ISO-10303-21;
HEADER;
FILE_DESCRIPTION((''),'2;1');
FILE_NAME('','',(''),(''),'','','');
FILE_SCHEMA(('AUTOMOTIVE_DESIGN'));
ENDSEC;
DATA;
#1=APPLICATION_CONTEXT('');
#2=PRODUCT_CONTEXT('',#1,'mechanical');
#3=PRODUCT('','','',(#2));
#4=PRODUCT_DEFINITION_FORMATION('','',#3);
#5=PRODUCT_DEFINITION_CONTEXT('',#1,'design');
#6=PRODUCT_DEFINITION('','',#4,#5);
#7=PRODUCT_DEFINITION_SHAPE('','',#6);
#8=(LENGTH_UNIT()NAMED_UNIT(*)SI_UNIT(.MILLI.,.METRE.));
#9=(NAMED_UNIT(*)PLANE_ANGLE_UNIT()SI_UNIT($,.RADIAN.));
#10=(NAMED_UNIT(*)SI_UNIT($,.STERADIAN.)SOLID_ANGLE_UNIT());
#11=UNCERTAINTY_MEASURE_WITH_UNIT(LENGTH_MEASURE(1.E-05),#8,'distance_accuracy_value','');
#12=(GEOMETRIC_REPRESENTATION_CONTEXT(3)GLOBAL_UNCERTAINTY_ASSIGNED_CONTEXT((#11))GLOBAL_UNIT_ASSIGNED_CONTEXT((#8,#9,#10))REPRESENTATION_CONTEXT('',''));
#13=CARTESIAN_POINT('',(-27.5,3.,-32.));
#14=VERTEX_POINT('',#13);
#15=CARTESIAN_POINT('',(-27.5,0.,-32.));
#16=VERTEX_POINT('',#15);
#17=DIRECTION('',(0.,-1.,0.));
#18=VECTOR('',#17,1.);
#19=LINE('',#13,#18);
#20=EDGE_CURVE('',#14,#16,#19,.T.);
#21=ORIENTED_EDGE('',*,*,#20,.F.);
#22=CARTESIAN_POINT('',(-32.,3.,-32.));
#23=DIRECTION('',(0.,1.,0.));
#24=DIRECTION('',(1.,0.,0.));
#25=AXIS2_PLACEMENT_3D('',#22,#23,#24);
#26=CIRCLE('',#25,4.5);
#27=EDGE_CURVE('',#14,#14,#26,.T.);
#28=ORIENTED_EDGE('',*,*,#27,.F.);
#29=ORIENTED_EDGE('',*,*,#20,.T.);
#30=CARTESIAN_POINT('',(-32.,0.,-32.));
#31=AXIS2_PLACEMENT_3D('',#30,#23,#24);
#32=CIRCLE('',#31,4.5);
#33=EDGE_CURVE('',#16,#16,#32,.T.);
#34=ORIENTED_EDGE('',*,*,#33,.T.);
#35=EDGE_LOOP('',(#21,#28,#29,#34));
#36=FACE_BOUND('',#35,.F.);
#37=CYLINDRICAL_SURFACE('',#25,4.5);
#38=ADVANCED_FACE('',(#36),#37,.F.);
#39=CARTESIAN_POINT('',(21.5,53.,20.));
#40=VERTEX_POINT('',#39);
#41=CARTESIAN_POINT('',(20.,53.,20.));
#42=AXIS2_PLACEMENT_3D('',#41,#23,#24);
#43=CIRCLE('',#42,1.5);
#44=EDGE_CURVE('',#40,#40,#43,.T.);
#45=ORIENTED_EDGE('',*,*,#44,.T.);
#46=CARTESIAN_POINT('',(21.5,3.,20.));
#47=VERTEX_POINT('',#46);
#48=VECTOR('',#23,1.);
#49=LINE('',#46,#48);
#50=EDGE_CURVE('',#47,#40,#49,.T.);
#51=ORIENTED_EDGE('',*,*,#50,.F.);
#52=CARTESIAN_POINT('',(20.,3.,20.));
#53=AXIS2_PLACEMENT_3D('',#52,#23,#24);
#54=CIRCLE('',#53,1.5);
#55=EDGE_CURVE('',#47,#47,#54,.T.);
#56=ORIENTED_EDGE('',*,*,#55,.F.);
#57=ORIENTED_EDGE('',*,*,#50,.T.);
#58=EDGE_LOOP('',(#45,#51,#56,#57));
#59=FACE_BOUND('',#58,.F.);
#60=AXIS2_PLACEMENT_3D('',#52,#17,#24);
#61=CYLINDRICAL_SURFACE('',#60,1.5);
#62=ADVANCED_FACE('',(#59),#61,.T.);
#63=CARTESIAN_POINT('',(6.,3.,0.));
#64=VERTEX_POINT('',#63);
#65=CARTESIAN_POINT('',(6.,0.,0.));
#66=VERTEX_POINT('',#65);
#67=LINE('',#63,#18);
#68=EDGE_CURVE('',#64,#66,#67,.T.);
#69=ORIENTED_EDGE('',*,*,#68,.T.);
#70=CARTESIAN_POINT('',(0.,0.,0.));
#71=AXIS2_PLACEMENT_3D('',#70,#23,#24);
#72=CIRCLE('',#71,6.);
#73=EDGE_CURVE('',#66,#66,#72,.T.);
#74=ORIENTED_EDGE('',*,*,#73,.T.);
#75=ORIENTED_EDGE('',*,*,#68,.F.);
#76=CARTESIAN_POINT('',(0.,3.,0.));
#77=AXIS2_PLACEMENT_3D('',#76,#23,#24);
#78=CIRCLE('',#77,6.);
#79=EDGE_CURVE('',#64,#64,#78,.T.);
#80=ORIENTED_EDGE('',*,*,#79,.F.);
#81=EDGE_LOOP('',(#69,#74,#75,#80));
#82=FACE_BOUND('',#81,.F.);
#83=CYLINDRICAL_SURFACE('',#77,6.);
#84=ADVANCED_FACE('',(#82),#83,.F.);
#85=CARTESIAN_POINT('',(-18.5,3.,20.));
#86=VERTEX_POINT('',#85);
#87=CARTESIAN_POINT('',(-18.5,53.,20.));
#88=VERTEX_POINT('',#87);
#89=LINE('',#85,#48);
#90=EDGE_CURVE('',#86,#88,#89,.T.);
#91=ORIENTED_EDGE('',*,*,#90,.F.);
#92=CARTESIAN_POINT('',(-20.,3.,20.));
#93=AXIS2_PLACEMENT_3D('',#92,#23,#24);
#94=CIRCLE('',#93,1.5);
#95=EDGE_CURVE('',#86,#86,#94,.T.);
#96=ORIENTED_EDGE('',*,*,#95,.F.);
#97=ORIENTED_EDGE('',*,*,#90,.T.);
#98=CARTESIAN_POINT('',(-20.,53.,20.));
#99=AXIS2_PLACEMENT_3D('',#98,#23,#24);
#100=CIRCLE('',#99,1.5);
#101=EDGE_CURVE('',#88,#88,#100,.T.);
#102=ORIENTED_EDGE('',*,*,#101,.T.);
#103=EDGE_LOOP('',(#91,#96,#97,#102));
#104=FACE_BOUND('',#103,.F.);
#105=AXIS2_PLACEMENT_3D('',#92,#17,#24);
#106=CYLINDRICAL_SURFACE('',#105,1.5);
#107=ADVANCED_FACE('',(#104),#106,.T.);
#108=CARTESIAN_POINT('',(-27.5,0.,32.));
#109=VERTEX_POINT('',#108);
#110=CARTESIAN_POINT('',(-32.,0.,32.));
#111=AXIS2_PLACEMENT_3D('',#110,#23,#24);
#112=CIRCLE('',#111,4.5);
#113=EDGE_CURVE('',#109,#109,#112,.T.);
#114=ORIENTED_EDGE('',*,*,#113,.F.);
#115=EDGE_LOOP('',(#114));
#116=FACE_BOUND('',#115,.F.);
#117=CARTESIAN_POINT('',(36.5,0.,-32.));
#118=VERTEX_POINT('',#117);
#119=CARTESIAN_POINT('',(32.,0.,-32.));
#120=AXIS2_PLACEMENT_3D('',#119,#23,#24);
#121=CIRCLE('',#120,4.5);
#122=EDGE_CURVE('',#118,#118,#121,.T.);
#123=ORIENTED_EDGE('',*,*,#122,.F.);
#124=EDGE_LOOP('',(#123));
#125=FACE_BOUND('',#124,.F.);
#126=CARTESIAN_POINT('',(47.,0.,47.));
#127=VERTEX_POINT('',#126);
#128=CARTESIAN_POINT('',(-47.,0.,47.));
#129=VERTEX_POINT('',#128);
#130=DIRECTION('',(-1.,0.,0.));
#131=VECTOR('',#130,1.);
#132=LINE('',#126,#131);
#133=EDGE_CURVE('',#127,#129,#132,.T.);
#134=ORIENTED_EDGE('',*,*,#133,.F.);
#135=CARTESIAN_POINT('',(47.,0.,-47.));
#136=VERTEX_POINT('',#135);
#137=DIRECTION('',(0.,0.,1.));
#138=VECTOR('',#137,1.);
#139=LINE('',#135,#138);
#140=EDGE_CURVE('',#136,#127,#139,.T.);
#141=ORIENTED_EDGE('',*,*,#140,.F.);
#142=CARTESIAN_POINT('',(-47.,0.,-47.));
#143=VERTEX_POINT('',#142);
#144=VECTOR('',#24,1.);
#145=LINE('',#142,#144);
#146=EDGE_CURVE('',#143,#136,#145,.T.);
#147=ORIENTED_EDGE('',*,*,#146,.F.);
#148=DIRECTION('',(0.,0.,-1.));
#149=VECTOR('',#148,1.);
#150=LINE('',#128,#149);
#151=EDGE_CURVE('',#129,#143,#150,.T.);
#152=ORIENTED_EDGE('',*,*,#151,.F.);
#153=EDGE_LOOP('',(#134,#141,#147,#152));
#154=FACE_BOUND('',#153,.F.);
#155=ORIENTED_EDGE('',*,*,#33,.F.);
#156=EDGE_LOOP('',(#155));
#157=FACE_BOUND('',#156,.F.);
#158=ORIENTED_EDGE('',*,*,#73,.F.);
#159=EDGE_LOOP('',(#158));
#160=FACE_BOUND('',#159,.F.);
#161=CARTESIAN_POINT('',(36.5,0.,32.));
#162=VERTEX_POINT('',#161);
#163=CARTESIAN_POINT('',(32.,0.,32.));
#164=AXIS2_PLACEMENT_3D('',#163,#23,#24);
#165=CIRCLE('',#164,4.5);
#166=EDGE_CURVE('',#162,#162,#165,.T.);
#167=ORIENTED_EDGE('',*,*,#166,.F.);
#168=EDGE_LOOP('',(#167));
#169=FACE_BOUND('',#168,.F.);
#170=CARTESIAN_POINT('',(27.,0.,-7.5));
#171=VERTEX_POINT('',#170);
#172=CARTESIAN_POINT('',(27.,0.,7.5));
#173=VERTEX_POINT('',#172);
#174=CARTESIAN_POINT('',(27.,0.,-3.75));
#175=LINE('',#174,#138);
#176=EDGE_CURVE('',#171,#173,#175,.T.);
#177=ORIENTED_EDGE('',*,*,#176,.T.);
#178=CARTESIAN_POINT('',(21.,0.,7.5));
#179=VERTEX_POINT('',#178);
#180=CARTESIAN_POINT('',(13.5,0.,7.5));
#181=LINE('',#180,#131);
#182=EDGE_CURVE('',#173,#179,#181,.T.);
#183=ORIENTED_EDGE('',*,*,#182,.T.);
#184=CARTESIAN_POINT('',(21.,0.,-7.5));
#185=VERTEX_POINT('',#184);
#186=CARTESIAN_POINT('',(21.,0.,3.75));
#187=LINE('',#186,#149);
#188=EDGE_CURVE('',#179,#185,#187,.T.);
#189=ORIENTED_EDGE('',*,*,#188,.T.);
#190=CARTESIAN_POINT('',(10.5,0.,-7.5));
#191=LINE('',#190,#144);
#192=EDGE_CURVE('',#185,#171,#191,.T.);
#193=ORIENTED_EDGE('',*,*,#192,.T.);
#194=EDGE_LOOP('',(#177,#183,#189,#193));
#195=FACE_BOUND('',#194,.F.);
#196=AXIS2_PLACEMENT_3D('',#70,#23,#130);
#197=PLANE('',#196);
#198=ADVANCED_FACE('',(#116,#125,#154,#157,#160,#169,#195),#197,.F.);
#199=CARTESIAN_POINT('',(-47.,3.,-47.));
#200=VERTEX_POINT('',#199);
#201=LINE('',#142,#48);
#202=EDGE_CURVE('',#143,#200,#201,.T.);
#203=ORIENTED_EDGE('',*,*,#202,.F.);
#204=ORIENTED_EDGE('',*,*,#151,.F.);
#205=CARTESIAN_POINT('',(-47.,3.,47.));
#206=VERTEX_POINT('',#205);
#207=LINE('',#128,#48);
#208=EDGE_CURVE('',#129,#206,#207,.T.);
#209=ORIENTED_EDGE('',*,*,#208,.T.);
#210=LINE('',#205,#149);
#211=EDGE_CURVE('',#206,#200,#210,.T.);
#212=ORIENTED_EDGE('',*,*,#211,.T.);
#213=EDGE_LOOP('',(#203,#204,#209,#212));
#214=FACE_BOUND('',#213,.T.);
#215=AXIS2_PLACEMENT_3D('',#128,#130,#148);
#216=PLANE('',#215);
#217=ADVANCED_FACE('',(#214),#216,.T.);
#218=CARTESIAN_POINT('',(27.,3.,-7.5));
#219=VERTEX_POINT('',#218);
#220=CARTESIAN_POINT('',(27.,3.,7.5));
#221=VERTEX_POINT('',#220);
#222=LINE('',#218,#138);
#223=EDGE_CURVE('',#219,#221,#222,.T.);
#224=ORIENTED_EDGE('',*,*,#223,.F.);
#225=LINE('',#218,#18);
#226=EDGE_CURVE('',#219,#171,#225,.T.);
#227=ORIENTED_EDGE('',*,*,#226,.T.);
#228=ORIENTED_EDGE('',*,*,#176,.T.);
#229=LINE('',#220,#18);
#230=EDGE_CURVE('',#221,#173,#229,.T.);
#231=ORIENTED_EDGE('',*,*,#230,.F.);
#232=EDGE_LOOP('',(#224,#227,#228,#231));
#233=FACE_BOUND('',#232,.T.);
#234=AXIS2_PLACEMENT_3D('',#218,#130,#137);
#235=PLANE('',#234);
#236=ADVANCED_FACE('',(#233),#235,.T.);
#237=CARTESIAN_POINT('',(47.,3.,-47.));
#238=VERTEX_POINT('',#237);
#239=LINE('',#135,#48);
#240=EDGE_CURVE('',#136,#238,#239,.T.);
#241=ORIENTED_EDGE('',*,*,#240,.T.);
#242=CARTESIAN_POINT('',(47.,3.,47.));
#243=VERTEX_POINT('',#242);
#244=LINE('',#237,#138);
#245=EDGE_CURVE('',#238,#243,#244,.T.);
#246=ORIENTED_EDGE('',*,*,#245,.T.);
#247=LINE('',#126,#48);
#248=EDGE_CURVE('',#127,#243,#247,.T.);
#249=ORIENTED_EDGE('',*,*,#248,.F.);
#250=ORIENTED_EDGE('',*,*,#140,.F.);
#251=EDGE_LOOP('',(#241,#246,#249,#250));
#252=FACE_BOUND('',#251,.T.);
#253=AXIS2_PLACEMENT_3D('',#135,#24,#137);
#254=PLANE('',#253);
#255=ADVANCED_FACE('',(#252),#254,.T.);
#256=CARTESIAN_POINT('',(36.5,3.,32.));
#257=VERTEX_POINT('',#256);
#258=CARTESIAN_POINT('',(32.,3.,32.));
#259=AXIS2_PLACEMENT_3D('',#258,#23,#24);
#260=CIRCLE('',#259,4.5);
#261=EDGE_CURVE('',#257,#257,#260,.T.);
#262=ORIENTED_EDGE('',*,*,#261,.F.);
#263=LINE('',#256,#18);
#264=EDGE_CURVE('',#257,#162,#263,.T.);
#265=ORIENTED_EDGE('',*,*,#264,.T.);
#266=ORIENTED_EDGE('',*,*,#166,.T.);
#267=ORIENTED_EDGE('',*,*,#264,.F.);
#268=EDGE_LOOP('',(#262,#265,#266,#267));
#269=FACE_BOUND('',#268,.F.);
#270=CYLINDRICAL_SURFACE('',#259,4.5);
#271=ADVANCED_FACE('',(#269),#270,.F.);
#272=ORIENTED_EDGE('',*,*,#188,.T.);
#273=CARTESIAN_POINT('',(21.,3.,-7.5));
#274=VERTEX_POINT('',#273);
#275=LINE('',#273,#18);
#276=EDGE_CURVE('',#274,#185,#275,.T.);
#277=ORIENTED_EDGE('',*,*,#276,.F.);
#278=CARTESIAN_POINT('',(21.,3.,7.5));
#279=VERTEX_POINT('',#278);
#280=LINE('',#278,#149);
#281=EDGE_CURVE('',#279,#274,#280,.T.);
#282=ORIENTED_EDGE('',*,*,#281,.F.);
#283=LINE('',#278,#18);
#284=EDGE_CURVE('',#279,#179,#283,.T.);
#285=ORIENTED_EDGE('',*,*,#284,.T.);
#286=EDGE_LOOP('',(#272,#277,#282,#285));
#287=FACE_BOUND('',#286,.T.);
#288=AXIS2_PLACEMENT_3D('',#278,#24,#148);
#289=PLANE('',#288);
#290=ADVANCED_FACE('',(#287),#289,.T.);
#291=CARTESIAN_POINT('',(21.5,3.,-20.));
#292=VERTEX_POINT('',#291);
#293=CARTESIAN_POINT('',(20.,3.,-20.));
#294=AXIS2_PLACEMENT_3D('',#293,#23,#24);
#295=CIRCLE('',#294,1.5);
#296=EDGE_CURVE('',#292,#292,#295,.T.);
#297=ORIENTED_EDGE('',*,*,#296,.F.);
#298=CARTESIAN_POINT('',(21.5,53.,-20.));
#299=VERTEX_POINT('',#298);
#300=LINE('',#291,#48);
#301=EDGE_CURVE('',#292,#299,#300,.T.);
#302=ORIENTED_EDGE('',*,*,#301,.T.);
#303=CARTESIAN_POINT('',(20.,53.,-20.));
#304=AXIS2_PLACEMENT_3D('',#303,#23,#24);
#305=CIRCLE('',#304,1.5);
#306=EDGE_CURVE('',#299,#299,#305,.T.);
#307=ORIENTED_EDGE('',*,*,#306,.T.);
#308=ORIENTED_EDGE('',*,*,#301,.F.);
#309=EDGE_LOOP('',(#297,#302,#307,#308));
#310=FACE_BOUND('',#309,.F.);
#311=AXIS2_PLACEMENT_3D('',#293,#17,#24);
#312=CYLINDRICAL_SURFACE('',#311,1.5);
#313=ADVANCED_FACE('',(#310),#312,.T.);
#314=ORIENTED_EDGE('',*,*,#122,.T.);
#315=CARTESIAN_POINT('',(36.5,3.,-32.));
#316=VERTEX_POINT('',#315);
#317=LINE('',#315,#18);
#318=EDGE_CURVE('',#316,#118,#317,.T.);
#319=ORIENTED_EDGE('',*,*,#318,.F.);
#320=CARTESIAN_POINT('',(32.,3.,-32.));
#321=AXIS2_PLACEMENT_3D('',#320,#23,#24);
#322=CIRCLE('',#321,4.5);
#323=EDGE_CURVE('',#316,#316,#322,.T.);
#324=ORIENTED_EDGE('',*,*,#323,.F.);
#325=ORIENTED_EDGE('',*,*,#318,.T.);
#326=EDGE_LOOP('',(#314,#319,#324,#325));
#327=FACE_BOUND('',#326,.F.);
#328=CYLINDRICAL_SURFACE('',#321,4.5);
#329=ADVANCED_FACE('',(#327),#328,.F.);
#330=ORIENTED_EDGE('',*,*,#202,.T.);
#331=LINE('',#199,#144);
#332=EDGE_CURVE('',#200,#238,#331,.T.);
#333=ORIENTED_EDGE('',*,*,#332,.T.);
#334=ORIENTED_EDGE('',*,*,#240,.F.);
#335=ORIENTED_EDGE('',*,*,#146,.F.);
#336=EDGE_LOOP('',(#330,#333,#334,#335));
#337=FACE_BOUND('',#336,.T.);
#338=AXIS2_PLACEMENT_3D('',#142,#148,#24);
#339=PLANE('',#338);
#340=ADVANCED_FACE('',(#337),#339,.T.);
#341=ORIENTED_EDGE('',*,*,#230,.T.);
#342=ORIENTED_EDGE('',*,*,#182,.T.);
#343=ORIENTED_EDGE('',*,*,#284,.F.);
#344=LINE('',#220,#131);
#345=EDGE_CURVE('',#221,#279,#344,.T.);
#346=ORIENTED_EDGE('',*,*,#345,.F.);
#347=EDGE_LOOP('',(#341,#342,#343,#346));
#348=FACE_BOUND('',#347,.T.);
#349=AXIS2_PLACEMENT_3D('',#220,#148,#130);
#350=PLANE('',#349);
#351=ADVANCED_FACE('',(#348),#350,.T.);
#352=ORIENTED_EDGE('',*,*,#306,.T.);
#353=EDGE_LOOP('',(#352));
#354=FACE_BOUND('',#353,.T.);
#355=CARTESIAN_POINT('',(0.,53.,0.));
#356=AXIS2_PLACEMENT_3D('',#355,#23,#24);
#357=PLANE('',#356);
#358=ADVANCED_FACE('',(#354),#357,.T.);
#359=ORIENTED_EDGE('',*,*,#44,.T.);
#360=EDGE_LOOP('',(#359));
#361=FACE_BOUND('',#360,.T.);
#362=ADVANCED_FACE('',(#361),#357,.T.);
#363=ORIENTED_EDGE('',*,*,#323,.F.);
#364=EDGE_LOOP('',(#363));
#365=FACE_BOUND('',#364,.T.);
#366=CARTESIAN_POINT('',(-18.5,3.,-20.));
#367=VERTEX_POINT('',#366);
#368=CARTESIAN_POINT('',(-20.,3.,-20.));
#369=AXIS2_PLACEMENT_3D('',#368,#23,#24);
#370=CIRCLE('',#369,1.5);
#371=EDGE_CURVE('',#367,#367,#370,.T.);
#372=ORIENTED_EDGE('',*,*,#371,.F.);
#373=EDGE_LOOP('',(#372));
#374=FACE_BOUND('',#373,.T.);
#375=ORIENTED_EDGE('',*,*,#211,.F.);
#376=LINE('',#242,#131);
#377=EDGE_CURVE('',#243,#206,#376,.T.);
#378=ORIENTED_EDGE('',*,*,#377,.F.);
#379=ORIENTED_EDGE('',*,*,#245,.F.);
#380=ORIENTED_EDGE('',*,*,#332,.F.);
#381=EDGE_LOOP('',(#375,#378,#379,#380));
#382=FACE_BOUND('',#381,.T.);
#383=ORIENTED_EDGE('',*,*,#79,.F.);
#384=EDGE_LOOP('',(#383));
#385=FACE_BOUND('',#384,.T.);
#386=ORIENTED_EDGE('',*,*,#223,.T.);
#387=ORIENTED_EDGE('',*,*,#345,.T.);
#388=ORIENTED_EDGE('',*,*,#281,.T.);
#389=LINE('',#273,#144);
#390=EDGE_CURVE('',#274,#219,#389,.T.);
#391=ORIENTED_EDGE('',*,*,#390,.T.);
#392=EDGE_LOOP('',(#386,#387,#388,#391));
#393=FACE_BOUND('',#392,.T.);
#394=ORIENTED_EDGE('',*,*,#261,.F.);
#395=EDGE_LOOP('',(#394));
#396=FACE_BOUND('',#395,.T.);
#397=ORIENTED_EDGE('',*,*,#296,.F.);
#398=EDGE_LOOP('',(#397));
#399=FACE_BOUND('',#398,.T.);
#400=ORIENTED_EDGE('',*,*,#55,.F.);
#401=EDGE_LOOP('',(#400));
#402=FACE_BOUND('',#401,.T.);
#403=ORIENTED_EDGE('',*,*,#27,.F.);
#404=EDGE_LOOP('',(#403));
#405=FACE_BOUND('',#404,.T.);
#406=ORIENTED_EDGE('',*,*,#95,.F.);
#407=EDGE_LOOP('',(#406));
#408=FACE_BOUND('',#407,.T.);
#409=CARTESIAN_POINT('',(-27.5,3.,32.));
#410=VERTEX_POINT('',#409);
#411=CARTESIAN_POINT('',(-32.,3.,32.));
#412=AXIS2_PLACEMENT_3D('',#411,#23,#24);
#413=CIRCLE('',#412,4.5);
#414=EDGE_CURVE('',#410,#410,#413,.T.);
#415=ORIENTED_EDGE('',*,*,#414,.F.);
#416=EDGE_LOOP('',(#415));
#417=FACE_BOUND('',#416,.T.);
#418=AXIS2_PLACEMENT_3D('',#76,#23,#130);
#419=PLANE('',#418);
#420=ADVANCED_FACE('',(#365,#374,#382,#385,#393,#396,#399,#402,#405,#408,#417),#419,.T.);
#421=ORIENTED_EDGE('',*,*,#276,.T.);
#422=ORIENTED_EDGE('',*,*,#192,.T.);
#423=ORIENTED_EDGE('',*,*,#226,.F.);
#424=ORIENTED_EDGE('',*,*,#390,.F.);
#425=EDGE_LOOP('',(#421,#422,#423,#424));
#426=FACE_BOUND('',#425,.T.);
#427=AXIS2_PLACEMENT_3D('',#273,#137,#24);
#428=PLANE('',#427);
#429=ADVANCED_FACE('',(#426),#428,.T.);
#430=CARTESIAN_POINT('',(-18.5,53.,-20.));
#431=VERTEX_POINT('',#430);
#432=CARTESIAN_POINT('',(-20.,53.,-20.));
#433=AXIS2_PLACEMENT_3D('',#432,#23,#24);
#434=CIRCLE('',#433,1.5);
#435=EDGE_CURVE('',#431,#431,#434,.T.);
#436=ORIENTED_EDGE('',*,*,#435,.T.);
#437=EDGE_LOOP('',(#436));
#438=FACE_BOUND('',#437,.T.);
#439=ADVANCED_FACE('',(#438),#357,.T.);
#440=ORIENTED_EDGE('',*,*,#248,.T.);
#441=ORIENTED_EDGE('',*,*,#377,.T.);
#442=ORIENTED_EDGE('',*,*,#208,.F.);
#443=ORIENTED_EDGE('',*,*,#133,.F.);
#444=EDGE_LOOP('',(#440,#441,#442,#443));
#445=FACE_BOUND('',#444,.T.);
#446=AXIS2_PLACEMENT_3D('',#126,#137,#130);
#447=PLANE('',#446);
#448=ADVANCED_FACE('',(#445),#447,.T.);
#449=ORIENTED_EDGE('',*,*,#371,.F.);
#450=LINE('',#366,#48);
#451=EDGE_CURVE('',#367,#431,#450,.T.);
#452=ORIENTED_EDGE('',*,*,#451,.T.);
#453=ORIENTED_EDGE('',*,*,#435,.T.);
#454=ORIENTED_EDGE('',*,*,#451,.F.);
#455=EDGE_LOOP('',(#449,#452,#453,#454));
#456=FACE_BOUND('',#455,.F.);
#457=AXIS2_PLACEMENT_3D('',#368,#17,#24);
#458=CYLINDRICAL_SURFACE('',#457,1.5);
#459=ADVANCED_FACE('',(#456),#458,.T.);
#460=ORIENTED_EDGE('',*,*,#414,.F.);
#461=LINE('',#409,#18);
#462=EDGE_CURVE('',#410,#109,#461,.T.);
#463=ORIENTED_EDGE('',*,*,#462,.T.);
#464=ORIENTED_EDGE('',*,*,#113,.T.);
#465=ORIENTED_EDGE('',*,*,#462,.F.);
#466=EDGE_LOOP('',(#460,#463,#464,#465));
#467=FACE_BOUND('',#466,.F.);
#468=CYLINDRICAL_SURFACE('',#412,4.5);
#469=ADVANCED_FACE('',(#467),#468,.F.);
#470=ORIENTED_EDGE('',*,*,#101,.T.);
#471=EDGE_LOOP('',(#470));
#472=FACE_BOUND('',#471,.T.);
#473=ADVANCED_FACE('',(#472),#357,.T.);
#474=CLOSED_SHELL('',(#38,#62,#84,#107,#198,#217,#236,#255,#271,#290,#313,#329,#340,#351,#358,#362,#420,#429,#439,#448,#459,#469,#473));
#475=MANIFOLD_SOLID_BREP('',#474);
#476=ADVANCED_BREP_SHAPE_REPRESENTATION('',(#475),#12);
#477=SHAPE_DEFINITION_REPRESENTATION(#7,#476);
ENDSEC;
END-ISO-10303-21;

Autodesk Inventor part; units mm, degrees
ref_plane "YZ Plane" through (0, 0, 0) normal (1, 0, 0) x (0, 1, 0)
ref_plane "XZ Plane" through (0, 0, 0) normal (0, 1, 0) x (-1, 0, 0)
ref_plane "XY Plane" through (0, 0, 0) normal (0, 0, 1) x (1, 0, 0)
sketch "Sketch1" plane through (0, 0, 0) normal (0, 1, 0) x (-1, 0, 0)
  line L0 (47, -47) -> (-47, -47)
  line L1 (-47, -47) -> (-47, 47)
  line L2 (-47, 47) -> (47, 47)
  line L3 (47, 47) -> (47, -47)
  point P0 (0, 0)
  point P1 (0, -47)
  point P2 (47, 0)
  dimension "d0" = 94
  dimension "d1" = 94
extrude "Extrusion1" add sketch "Sketch1" along normal blind 3
sketch "Sketch2" plane through (0, 3, 0) normal (0, 1, 0) x (1, 0, 0)
  circle A0 centre (0, 0) radius 6
  dimension "d4" = 12
extrude "Extrusion2" cut sketch "Sketch2" against normal through all
sketch "Sketch3" plane through (0, 3, 0) normal (0, 1, 0) x (1, 0, 0)
  circle A0 centre (-32, 32) radius 4.5
  circle A1 centre (32, 32) radius 4.5
  circle A2 centre (32, -32) radius 4.5
  circle A3 centre (-32, -32) radius 4.5
  line L0 (47, 47) -> (-47, 47) projected
  line L1 (-47, 47) -> (-47, -47) projected
  line L2 (47, -47) -> (47, 47) projected
  line L3 (-47, -47) -> (47, -47) projected
  point P0 (0, 0)
  dimension "d7" = 9
  dimension "d8" = 9
  dimension "d9" = 9
  dimension "d10" = 9
  dimension "d11" = 15
  dimension "d12" = 15
  dimension "d13" = 15
  dimension "d14" = 15
extrude "Extrusion3" cut sketch "Sketch3" against normal through all contours A0 | A1 | A2 | A3
sketch "Sketch4" plane through (0, 3, 0) normal (0, 1, 0) x (1, 0, 0)
  circle A0 centre (-20, 20) radius 1.5
  circle A1 centre (20, 20) radius 1.5
  circle A2 centre (20, -20) radius 1.5
  circle A3 centre (-20, -20) radius 1.5
  point P0 (0, 0)
  dimension "d17" = 3
  dimension "d18" = 3
  dimension "d19" = 3
  dimension "d20" = 3
  dimension "d21" = 20
  dimension "d22" = 20
  dimension "d23" = 20
  dimension "d24" = 20
extrude "Extrusion4" add sketch "Sketch4" along normal blind 50
sketch "Sketch5" plane through (0, 3, 0) normal (0, 1, 0) x (1, 0, 0)
  line L0 (21, 7.5) -> (27, 7.5)
  line L1 (27, 7.5) -> (27, -7.5)
  line L2 (27, -7.5) -> (21, -7.5)
  line L3 (21, -7.5) -> (21, 7.5)
  line L4 (47, -47) -> (47, 47) projected
  point P0 (0, 0)
  point P1 (21, 0)
  dimension "d27" = 15
  dimension "d28" = 6
  dimension "d29" = 20
extrude "Extrusion5" cut sketch "Sketch5" against normal through all
equation "\"d8\" = d7"
equation "\"d9\" = d7"
equation "\"d10\" = d7"
equation "\"d13\" = d12"
equation "\"d14\" = d11"
equation "\"d22\" = d21"
equation "\"d23\" = d22"
equation "\"d24\" = d22"
properties part number "Button Plate"
